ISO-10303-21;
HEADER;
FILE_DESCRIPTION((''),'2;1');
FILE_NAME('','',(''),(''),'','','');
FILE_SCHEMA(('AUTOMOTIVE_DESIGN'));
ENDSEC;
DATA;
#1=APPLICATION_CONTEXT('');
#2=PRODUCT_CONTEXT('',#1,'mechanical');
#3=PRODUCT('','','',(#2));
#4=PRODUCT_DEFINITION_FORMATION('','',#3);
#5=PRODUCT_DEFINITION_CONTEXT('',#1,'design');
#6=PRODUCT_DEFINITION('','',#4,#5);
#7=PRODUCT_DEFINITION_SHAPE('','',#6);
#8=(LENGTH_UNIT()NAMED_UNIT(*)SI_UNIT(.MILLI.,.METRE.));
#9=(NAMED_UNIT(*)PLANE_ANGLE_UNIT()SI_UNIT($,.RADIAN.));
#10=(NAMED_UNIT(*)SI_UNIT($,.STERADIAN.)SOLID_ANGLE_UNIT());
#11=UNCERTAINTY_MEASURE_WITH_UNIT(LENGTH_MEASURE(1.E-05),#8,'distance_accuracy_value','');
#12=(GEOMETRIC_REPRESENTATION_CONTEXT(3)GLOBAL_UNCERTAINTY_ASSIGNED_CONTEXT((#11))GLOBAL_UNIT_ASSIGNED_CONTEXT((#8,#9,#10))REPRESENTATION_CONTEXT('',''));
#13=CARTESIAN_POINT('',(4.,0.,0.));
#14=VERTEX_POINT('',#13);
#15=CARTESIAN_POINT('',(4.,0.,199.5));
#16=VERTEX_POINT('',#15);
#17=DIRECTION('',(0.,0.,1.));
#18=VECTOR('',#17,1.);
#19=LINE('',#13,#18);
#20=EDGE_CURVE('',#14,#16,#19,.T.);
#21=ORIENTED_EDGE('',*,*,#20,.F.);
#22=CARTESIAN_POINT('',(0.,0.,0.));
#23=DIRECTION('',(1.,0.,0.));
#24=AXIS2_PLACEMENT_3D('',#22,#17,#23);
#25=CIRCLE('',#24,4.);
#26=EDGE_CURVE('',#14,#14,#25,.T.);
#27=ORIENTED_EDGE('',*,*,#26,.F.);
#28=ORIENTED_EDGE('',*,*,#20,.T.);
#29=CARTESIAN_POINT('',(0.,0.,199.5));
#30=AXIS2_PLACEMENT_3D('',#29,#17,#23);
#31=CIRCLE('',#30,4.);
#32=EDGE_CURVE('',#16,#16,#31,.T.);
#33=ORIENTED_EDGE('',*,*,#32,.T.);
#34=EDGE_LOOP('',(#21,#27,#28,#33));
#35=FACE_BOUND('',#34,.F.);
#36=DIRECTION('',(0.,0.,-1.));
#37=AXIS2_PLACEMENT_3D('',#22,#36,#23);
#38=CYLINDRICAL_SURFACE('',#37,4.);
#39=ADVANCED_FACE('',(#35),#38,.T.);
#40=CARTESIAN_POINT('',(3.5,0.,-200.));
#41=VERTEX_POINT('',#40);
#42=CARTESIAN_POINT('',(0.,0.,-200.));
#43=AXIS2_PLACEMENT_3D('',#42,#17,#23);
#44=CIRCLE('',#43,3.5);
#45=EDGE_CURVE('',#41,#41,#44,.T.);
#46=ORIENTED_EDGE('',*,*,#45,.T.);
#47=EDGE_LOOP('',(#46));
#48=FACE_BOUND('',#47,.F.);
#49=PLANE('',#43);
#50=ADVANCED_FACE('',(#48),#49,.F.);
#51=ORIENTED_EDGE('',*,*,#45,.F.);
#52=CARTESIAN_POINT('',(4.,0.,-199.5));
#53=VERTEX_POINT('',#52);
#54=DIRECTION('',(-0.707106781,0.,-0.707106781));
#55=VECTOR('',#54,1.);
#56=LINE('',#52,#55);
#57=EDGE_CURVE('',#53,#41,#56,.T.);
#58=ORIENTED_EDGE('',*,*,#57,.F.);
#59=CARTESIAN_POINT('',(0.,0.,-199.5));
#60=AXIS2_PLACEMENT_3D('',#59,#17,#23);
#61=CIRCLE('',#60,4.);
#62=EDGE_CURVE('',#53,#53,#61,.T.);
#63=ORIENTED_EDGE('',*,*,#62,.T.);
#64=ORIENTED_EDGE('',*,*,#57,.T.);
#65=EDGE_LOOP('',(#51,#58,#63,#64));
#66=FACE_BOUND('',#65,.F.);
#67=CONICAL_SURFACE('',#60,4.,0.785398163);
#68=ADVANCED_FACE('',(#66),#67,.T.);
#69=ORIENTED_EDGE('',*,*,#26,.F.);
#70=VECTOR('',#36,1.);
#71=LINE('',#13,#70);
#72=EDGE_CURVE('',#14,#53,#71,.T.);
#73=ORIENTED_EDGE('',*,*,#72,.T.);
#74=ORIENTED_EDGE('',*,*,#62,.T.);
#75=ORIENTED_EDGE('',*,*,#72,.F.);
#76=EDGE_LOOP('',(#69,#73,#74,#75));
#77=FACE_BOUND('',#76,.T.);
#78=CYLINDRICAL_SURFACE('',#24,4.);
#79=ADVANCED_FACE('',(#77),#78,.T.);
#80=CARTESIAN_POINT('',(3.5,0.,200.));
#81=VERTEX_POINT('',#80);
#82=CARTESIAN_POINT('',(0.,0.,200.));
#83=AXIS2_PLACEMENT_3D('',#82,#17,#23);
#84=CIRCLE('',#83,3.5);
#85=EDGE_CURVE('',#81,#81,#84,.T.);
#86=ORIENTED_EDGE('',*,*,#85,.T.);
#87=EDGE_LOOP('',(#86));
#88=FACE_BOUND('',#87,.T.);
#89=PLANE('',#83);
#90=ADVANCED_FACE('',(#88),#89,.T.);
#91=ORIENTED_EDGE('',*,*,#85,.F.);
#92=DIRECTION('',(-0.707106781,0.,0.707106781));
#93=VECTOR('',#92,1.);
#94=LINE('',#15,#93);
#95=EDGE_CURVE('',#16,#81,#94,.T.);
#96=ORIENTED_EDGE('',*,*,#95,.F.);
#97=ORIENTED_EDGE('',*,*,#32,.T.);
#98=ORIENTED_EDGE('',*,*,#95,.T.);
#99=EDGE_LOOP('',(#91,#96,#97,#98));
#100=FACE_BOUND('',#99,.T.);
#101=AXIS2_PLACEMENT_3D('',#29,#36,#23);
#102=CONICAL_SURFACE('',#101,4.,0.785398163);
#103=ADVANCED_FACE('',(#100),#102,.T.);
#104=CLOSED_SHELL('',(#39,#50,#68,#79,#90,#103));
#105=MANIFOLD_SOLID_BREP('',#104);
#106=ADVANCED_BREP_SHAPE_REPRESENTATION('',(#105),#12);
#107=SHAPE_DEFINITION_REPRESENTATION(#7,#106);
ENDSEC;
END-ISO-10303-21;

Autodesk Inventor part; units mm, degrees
ref_plane "YZ Plane" through (0, 0, 0) normal (1, 0, 0) x (0, 1, 0)
ref_plane "XZ Plane" through (0, 0, 0) normal (0, 1, 0) x (-1, 0, 0)
ref_plane "XY Plane" through (0, 0, 0) normal (0, 0, 1) x (1, 0, 0)
sketch "Sketch1" plane through (0, 0, 0) normal (0, 0, 1) x (1, 0, 0)
  circle A0 centre (0, 0) radius 4
  dimension "d0" = 8
extrude "Extrusion1" add sketch "Sketch1" along normal mid plane 400
chamfer "Chamfer1" distance 0.5 angle 45 2 edges at (-4, 0, 200) (-4, 0, -200)
properties part number "Linear_Motion_Shaft_8x400mm_LM1045" material "Stainless Steel"
